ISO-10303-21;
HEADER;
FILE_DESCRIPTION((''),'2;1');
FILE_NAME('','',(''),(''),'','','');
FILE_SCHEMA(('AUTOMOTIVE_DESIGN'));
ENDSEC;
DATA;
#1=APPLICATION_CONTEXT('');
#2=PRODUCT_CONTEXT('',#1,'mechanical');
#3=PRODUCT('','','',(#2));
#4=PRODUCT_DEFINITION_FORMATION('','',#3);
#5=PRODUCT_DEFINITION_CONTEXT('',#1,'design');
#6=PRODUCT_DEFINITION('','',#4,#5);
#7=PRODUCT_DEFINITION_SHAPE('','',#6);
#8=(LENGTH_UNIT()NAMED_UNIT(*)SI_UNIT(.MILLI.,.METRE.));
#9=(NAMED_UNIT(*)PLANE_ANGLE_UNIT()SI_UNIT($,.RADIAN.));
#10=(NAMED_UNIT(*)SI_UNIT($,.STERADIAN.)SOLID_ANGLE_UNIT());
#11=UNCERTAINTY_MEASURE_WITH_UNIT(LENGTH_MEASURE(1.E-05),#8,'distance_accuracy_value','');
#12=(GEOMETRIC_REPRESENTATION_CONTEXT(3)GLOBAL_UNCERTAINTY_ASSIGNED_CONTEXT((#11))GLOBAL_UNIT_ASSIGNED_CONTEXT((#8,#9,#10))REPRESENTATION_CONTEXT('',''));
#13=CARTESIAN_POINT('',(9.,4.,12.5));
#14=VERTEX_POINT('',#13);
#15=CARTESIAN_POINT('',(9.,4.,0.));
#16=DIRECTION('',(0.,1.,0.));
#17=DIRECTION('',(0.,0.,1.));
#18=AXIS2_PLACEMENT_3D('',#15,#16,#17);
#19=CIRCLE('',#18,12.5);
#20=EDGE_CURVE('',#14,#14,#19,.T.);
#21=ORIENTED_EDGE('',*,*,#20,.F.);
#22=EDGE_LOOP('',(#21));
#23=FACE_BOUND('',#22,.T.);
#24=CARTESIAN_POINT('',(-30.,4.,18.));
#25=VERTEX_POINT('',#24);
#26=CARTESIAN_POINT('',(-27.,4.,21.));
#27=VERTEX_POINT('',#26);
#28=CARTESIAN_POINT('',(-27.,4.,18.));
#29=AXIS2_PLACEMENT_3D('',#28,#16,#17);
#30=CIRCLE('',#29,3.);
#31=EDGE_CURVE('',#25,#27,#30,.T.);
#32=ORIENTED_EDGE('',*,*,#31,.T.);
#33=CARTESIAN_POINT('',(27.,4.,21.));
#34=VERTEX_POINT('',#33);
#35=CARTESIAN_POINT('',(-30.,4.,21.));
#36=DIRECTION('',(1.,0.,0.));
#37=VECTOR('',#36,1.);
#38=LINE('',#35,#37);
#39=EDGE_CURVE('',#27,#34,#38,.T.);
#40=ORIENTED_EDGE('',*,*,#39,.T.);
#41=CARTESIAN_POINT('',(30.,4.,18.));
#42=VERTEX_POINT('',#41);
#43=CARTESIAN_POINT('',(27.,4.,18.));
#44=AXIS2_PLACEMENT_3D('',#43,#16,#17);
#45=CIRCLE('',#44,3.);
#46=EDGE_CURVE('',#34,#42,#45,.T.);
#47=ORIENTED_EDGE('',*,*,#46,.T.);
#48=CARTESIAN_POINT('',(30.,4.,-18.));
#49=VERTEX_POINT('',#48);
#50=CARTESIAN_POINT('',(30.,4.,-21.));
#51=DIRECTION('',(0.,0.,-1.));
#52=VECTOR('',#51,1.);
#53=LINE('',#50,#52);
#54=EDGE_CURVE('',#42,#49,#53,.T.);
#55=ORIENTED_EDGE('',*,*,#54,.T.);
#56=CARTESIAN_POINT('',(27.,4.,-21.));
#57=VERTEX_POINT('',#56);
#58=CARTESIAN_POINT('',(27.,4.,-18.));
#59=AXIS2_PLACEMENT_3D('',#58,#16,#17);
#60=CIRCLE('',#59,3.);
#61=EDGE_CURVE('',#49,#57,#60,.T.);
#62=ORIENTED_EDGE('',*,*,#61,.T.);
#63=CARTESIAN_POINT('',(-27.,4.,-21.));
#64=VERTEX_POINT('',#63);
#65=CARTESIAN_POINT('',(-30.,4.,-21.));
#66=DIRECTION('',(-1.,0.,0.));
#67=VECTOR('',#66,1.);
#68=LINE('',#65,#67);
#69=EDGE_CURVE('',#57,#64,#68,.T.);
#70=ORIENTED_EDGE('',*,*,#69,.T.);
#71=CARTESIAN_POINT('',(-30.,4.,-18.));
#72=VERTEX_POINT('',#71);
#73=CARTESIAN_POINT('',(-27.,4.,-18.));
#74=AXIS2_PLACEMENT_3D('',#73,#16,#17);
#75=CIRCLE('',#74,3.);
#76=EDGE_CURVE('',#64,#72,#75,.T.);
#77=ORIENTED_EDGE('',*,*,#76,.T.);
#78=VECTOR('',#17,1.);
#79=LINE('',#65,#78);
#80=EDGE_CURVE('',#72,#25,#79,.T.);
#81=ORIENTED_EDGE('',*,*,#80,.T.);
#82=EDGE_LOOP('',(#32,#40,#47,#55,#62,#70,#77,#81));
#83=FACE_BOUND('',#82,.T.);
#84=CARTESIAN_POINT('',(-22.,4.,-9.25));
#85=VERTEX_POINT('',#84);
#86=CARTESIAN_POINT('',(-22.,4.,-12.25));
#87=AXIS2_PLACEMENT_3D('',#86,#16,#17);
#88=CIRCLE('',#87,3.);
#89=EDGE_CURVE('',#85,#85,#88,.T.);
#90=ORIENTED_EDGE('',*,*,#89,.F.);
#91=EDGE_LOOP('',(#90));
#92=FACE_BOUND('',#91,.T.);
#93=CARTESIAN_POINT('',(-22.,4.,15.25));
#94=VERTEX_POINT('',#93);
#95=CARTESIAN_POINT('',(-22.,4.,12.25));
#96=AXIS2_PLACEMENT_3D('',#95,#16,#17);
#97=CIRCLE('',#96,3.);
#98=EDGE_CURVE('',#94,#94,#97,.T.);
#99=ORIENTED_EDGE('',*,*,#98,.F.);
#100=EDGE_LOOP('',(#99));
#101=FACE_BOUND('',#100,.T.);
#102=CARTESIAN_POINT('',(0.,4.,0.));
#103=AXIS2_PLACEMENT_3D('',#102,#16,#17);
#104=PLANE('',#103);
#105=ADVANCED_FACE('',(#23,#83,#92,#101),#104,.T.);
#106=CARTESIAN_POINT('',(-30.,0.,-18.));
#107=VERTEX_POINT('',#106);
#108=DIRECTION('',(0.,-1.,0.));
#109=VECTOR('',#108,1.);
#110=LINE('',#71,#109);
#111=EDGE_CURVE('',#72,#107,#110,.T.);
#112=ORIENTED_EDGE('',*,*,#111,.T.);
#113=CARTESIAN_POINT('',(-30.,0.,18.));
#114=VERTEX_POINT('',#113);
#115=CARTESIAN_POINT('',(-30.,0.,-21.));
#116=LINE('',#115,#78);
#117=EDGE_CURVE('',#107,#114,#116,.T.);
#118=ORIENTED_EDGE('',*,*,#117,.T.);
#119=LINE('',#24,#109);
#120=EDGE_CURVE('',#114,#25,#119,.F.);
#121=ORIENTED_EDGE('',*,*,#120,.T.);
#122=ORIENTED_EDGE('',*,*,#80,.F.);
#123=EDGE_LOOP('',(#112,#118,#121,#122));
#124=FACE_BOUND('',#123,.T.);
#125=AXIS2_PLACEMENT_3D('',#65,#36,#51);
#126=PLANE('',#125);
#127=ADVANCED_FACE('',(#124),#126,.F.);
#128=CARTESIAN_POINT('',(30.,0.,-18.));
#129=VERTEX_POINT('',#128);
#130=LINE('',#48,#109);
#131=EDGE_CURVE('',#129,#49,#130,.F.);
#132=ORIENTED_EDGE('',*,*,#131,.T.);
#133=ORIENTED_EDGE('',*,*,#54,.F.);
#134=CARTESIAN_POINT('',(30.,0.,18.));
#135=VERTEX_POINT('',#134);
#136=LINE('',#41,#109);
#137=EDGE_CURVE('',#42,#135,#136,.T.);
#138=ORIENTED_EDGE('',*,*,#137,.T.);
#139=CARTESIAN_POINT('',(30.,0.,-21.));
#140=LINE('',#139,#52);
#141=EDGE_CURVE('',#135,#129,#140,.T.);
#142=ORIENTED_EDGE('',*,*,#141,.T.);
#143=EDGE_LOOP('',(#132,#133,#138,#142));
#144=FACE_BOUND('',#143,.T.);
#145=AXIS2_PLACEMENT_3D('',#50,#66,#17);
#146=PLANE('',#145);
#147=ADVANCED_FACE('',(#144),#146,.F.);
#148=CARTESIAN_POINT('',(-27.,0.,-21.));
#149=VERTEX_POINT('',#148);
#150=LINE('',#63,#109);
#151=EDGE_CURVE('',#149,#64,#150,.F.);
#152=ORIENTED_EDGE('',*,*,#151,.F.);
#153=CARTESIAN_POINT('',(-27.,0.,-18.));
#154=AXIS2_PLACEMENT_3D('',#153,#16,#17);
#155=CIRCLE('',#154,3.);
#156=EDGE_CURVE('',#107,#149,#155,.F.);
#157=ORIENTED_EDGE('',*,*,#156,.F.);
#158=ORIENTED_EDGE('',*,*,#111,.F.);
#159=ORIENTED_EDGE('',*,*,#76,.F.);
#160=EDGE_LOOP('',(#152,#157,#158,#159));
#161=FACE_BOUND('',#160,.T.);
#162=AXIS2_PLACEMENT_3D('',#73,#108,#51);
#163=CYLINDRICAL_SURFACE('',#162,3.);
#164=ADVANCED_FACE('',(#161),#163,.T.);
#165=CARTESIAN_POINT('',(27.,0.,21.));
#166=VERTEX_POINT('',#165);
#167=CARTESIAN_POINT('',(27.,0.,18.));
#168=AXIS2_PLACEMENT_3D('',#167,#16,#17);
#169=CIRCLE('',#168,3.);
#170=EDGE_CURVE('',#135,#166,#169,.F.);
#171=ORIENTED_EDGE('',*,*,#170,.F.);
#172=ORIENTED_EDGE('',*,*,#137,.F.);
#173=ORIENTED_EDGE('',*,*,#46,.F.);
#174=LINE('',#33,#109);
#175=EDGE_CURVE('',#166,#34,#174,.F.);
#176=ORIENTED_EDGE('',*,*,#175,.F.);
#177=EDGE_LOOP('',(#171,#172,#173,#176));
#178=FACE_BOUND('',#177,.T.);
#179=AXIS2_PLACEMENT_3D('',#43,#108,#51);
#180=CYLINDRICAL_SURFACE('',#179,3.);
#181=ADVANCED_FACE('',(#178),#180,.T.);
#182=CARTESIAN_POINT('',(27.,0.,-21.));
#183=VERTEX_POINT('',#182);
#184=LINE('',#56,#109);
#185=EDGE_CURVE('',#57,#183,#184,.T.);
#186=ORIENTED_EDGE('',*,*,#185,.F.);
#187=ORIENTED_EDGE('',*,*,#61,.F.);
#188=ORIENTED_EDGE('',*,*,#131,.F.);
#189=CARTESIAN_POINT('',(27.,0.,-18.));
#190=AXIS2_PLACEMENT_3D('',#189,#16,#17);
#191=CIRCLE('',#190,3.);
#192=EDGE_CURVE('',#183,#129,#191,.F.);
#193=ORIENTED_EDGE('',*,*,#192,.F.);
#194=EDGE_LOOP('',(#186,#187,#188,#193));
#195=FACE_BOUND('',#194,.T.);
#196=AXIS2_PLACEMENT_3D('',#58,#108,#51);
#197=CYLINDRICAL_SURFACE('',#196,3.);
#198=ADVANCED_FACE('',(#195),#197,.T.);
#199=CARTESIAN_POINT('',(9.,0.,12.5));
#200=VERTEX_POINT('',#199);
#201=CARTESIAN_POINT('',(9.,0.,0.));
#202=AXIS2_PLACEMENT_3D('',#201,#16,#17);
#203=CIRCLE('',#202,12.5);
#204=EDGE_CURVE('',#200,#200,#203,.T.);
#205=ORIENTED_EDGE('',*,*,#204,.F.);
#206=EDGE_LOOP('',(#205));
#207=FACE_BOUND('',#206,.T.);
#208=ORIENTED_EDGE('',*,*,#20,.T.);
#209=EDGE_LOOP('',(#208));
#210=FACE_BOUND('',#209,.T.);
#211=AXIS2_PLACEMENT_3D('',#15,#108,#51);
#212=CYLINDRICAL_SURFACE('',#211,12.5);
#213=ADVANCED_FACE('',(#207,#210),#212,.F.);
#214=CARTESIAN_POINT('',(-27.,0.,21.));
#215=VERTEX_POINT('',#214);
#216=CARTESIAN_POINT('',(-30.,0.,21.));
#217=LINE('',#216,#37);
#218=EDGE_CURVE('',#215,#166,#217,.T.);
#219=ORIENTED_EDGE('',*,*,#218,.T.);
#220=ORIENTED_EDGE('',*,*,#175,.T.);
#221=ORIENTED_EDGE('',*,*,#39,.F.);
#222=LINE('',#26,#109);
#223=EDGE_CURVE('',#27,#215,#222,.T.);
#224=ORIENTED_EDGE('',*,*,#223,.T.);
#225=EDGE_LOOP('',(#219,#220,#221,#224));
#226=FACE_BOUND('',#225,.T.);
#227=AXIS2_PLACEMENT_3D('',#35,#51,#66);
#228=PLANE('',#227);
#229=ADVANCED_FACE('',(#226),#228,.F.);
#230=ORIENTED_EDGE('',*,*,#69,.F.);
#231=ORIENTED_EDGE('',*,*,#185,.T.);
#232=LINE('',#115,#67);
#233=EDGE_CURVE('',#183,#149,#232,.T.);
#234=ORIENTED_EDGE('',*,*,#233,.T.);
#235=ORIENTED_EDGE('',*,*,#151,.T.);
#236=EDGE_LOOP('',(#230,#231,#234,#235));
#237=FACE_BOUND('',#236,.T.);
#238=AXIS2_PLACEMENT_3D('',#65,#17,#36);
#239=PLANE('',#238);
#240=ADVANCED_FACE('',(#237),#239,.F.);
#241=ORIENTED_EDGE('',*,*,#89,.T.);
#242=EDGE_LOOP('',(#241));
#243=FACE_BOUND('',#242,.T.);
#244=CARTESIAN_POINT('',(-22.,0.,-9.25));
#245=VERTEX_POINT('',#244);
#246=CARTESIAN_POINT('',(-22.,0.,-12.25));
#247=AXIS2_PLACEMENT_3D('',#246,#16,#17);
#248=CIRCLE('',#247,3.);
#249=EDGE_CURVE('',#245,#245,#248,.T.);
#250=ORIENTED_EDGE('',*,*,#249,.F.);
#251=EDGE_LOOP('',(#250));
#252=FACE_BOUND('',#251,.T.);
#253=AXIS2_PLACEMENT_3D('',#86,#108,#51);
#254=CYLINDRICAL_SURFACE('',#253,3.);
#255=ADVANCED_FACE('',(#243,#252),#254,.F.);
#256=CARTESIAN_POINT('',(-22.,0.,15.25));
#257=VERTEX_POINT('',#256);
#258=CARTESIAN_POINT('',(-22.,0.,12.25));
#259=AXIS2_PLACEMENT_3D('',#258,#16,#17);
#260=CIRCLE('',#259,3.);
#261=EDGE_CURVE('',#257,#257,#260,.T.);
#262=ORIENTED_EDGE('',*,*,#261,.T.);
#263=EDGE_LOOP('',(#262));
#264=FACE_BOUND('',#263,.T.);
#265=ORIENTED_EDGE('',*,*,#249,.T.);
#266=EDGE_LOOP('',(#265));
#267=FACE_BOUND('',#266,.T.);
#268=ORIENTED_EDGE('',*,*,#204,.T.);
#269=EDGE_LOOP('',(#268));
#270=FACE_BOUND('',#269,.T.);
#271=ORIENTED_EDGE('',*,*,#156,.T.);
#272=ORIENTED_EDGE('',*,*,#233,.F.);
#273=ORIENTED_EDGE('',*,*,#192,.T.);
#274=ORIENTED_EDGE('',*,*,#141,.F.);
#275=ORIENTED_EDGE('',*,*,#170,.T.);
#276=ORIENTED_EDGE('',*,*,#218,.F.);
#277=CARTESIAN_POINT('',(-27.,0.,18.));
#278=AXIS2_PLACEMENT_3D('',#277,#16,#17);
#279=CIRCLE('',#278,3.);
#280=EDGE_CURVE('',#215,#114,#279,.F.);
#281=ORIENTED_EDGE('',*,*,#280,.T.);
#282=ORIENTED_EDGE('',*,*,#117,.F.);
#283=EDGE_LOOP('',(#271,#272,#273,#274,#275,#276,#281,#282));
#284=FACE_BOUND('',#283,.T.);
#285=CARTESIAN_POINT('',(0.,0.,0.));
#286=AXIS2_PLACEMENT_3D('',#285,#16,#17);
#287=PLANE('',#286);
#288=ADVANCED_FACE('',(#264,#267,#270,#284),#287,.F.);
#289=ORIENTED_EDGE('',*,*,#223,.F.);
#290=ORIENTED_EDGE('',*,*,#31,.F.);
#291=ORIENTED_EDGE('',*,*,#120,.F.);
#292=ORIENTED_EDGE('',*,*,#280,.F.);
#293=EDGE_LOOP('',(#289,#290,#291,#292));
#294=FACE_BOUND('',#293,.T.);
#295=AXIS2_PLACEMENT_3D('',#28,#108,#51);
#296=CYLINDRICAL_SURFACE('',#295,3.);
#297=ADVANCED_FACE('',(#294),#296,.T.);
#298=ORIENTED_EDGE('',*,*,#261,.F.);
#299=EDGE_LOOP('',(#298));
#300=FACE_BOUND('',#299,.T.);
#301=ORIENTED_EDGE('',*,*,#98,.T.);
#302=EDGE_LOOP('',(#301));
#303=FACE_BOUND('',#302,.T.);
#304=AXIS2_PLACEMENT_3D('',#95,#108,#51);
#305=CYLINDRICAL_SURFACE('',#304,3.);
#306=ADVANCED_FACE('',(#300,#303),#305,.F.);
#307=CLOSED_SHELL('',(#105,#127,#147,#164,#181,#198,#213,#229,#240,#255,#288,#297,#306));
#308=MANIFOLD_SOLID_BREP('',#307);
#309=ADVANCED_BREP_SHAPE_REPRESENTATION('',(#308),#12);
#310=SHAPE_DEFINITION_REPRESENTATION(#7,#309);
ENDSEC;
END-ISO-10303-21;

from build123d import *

# Parameters (mm, degrees)
SKETCH1_W           = 60
SKETCH1_H           = 42
SKETCH1_R           = 12.5
SKETCH1_R_2         = 3
BOSS_EXTRUDE1_DEPTH = 4
FILLET2_R           = 3


with BuildPart() as part:
    # Sketch1 → Boss-Extrude1 (new body)
    with BuildSketch(Plane(origin=(0, 0, 0), x_dir=(1, 0, 0), z_dir=(0, 1, 0))):
        Rectangle(SKETCH1_W, SKETCH1_H)
        with Locations((9, 0)):
            Circle(SKETCH1_R, mode=Mode.SUBTRACT)
        with Locations((-22, 12.25)):
            Circle(SKETCH1_R_2, mode=Mode.SUBTRACT)
        with Locations((-22, -12.25)):
            Circle(SKETCH1_R_2, mode=Mode.SUBTRACT)
    extrude(amount=BOSS_EXTRUDE1_DEPTH)

    # Fillet2
    fillet2_edges = [part.edges().sort_by_distance(p)[0] for p in [
        (30, 2, 21),
        (-30, 2, 21),
        (-30, 2, -21),
        (30, 2, -21),
    ]]
    fillet(fillet2_edges, radius=FILLET2_R)


solid = part.part
